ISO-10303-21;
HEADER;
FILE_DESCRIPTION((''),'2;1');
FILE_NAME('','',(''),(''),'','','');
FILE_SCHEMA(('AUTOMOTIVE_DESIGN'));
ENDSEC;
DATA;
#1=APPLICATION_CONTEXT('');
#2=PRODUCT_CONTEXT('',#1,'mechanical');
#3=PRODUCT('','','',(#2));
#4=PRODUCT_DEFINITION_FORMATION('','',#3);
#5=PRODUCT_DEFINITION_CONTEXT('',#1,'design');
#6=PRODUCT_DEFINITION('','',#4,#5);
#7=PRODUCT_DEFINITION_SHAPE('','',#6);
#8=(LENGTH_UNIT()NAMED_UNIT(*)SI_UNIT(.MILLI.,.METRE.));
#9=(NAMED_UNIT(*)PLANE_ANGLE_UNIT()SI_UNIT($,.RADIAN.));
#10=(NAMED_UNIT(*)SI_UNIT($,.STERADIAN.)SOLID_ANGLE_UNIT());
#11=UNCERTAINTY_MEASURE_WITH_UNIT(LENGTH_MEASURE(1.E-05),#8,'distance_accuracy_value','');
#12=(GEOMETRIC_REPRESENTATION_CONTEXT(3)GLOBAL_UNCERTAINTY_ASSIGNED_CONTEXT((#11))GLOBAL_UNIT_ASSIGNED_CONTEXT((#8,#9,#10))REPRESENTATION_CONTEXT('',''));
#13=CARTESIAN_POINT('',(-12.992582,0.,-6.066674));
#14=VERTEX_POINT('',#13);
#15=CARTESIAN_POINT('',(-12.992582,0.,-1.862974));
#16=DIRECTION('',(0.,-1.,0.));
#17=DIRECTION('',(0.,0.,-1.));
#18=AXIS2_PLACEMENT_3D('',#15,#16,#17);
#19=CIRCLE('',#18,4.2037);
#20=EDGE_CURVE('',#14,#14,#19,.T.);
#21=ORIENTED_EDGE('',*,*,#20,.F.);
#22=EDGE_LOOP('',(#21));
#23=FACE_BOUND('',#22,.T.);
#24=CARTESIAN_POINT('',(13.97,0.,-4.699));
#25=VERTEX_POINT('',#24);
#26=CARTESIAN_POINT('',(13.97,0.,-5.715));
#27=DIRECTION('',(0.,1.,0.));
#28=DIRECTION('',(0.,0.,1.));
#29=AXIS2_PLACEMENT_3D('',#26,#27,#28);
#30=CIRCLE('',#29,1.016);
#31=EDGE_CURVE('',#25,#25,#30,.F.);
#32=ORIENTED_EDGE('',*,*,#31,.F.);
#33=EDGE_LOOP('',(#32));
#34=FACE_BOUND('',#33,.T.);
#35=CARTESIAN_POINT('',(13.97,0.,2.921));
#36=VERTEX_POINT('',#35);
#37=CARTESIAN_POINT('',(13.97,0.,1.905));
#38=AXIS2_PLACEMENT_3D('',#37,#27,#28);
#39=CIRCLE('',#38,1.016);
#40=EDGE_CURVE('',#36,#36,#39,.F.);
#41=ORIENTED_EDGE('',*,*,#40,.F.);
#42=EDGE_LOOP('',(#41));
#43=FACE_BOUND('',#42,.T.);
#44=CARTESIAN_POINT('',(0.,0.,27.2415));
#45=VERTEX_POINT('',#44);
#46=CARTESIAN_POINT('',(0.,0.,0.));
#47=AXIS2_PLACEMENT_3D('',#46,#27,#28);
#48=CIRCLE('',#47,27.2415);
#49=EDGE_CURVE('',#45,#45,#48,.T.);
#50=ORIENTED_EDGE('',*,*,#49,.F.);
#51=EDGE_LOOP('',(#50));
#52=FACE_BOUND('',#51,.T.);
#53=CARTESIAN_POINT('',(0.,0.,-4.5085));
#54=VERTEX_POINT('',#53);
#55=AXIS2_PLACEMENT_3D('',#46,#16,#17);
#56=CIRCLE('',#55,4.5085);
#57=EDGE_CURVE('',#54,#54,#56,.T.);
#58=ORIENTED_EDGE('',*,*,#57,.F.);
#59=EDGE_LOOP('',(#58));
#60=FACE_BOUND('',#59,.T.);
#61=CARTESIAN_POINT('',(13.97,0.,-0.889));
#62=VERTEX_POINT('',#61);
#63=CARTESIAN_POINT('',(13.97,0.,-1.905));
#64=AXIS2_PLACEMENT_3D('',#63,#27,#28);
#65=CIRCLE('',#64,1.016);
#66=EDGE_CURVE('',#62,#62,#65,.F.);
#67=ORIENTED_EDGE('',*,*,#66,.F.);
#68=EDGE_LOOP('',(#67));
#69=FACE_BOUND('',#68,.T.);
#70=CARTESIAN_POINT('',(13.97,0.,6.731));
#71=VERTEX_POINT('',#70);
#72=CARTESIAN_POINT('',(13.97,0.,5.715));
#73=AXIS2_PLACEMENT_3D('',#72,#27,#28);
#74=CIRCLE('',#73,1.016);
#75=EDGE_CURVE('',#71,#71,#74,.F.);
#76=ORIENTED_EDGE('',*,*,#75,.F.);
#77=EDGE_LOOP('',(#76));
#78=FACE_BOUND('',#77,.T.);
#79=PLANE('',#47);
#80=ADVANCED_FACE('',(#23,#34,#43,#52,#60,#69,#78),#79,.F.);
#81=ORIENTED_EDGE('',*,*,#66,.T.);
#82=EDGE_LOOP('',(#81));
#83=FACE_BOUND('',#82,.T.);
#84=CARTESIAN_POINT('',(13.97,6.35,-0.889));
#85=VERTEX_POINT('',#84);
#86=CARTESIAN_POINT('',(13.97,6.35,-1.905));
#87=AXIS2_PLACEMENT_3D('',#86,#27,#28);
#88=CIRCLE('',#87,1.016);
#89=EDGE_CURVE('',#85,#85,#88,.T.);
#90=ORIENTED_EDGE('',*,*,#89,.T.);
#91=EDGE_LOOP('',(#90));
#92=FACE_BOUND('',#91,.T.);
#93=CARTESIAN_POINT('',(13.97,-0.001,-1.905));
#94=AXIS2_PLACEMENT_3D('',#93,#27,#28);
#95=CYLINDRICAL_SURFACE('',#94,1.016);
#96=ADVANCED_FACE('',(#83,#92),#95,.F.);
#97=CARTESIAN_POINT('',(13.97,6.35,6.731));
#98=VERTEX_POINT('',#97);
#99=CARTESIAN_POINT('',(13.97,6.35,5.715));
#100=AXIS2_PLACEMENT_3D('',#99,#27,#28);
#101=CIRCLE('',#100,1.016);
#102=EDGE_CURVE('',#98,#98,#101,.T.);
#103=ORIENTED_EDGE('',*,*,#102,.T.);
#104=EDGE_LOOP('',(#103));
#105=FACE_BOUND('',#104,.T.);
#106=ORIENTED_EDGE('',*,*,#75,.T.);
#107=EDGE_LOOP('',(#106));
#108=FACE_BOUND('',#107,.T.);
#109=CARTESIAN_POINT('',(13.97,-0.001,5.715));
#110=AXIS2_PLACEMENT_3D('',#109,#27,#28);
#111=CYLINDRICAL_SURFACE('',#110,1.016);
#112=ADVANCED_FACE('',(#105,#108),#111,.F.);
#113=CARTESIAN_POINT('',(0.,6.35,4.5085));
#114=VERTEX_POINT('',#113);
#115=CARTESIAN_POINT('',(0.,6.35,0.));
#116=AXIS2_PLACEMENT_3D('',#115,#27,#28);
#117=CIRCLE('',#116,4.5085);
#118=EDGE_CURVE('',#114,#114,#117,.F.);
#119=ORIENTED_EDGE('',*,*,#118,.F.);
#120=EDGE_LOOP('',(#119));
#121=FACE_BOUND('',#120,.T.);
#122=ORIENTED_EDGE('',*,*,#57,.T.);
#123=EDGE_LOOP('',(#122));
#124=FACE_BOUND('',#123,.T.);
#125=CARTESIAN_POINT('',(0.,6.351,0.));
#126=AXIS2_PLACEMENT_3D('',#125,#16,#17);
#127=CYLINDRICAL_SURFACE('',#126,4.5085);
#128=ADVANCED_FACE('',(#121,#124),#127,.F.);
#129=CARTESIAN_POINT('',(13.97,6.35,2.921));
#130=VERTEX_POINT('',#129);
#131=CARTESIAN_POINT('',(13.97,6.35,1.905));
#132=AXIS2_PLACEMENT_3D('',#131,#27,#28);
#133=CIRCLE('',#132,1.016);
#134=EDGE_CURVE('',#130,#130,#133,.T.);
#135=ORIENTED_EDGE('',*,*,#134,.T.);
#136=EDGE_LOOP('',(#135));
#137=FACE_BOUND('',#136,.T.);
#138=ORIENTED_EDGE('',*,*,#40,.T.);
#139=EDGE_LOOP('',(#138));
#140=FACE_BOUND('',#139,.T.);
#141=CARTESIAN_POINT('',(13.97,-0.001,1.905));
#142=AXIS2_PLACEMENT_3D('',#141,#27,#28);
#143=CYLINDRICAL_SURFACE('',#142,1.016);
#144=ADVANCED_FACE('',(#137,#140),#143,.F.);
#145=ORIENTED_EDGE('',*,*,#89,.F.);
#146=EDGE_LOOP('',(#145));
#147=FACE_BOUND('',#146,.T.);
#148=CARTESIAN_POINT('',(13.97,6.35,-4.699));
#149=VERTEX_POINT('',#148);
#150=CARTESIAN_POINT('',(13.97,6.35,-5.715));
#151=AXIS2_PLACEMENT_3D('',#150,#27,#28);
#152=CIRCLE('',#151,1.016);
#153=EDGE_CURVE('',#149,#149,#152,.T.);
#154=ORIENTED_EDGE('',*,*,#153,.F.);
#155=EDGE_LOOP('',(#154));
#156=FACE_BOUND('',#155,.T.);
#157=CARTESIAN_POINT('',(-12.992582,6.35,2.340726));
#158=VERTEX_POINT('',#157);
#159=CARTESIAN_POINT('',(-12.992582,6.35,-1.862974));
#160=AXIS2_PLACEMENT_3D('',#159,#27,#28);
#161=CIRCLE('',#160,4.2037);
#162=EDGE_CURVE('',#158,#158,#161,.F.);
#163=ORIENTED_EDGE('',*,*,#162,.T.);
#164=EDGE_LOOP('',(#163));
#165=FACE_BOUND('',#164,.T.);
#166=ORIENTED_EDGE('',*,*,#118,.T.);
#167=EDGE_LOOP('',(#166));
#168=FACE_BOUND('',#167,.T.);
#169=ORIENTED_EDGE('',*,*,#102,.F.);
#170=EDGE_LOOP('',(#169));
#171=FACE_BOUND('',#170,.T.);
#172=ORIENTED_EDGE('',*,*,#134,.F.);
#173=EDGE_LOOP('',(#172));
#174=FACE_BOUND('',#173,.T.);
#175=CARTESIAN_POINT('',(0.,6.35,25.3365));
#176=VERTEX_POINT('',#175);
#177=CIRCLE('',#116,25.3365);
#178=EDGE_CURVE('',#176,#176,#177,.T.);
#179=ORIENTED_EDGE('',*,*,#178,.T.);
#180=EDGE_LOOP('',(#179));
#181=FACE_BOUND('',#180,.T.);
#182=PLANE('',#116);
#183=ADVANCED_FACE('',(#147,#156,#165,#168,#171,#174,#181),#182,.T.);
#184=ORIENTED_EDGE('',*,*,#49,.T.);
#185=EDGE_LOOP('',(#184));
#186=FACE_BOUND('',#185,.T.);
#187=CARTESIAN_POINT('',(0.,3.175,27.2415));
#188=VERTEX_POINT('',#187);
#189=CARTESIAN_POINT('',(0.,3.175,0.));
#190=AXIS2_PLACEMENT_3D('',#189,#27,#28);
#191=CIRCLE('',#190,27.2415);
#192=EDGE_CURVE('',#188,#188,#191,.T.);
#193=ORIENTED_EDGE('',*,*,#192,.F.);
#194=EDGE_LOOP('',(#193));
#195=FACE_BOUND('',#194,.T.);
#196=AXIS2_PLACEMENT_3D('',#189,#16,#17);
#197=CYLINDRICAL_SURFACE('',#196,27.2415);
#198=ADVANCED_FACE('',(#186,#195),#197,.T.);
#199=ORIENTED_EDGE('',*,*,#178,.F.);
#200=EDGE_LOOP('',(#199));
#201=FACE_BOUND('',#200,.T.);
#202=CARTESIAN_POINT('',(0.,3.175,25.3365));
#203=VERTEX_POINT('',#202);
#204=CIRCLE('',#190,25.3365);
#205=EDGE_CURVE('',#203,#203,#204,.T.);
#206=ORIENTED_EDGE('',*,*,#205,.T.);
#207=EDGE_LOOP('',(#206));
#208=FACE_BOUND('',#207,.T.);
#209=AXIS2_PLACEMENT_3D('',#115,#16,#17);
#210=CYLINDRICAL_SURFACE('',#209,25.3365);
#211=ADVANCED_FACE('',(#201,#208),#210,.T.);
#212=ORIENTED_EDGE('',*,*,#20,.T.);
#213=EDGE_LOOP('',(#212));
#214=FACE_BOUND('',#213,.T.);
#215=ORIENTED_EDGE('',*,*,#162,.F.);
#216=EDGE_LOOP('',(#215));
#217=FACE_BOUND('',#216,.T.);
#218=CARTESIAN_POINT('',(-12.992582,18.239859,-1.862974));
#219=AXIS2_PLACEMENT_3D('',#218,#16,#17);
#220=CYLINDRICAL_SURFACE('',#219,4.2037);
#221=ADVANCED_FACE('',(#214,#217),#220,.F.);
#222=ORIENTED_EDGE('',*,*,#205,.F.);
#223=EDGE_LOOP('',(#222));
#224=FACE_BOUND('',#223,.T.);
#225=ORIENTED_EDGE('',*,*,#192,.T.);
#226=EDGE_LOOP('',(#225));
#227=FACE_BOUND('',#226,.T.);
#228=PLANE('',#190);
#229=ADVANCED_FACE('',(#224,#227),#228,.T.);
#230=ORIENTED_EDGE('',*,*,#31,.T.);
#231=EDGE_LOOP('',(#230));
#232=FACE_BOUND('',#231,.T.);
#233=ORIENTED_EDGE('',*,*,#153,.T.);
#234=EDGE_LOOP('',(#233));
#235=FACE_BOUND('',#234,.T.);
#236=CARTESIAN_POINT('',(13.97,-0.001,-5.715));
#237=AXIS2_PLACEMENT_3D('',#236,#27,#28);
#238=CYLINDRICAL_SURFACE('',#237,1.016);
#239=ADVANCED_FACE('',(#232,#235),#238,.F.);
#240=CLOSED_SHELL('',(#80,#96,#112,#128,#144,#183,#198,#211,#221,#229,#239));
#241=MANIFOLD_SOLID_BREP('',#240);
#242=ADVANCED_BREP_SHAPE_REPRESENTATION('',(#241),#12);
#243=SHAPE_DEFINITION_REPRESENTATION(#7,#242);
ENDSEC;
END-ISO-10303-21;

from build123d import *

# Parameters (mm, degrees)
SKETCH1_R           = 27.2415
BOSS_EXTRUDE1_DEPTH = 3.175
SKETCH2_R           = 25.3365
BOSS_EXTRUDE2_DEPTH = 3.175
SKETCH5_R           = 4.2037
CUT_EXTRUDE1_DEPTH  = 6.35
CUT_EXTRUDE2_REACH  = 8.35
SKETCH6_R           = 4.5085
CUT_EXTRUDE3_REACH  = 8.35
SKETCH9_R           = 1.016


with BuildPart() as part:
    # Sketch1 → Boss-Extrude1 (new body)
    with BuildSketch(Plane(origin=(0, 0, 0), x_dir=(1, 0, 0), z_dir=(0, 1, 0))):
        Circle(SKETCH1_R)
    extrude(amount=BOSS_EXTRUDE1_DEPTH)

    # Sketch2 → Boss-Extrude2 (add)
    with BuildSketch(Plane(origin=(0, 3.175, 0), x_dir=(1, 0, 0), z_dir=(0, 1, 0))):
        Circle(SKETCH2_R)
    extrude(amount=BOSS_EXTRUDE2_DEPTH)

    # Sketch5 → Cut-Extrude1 (cut)
    with BuildSketch(Plane.XZ):
        with Locations((-12.992582175, -1.862973623)):
            Circle(SKETCH5_R)
    extrude(amount=-CUT_EXTRUDE1_DEPTH, mode=Mode.SUBTRACT)

    # Sketch6 → Cut-Extrude2 (cut, up to next)
    with BuildSketch(Plane.XZ, mode=Mode.PRIVATE) as cut_extrude2_sk1:
        Circle(SKETCH6_R)
    cut_extrude2_tool1 = extrude(cut_extrude2_sk1.sketch, amount=-CUT_EXTRUDE2_REACH, mode=Mode.PRIVATE) & part.part
    add(cut_extrude2_tool1.solids().sort_by_distance((0, 0, 0))[0], mode=Mode.SUBTRACT)

    # Sketch9 → Cut-Extrude3 (cut, up to next)
    with BuildSketch(Plane(origin=(0, 6.35, 0), x_dir=(1, 0, 0), z_dir=(0, 1, 0)), mode=Mode.PRIVATE) as cut_extrude3_sk1:
        with Locations((13.97, 5.715)):
            Circle(SKETCH9_R)
    cut_extrude3_tool1 = extrude(cut_extrude3_sk1.sketch, amount=-CUT_EXTRUDE3_REACH, mode=Mode.PRIVATE) & part.part
    add(cut_extrude3_tool1.solids().sort_by_distance((13.97, 6.35, -5.715))[0], mode=Mode.SUBTRACT)
    # Sketch9 → Cut-Extrude3 (cut, up to next)
    with BuildSketch(Plane(origin=(0, 6.35, 0), x_dir=(1, 0, 0), z_dir=(0, 1, 0)), mode=Mode.PRIVATE) as cut_extrude3_sk2:
        with Locations((13.97, 1.905)):
            Circle(SKETCH9_R)
    cut_extrude3_tool2 = extrude(cut_extrude3_sk2.sketch, amount=-CUT_EXTRUDE3_REACH, mode=Mode.PRIVATE) & part.part
    add(cut_extrude3_tool2.solids().sort_by_distance((13.97, 6.35, -1.905))[0], mode=Mode.SUBTRACT)
    # Sketch9 → Cut-Extrude3 (cut, up to next)
    with BuildSketch(Plane(origin=(0, 6.35, 0), x_dir=(1, 0, 0), z_dir=(0, 1, 0)), mode=Mode.PRIVATE) as cut_extrude3_sk3:
        with Locations((13.97, -1.905)):
            Circle(SKETCH9_R)
    cut_extrude3_tool3 = extrude(cut_extrude3_sk3.sketch, amount=-CUT_EXTRUDE3_REACH, mode=Mode.PRIVATE) & part.part
    add(cut_extrude3_tool3.solids().sort_by_distance((13.97, 6.35, 1.905))[0], mode=Mode.SUBTRACT)
    # Sketch9 → Cut-Extrude3 (cut, up to next)
    with BuildSketch(Plane(origin=(0, 6.35, 0), x_dir=(1, 0, 0), z_dir=(0, 1, 0)), mode=Mode.PRIVATE) as cut_extrude3_sk4:
        with Locations((13.97, -5.715)):
            Circle(SKETCH9_R)
    cut_extrude3_tool4 = extrude(cut_extrude3_sk4.sketch, amount=-CUT_EXTRUDE3_REACH, mode=Mode.PRIVATE) & part.part
    add(cut_extrude3_tool4.solids().sort_by_distance((13.97, 6.35, 5.715))[0], mode=Mode.SUBTRACT)


solid = part.part
